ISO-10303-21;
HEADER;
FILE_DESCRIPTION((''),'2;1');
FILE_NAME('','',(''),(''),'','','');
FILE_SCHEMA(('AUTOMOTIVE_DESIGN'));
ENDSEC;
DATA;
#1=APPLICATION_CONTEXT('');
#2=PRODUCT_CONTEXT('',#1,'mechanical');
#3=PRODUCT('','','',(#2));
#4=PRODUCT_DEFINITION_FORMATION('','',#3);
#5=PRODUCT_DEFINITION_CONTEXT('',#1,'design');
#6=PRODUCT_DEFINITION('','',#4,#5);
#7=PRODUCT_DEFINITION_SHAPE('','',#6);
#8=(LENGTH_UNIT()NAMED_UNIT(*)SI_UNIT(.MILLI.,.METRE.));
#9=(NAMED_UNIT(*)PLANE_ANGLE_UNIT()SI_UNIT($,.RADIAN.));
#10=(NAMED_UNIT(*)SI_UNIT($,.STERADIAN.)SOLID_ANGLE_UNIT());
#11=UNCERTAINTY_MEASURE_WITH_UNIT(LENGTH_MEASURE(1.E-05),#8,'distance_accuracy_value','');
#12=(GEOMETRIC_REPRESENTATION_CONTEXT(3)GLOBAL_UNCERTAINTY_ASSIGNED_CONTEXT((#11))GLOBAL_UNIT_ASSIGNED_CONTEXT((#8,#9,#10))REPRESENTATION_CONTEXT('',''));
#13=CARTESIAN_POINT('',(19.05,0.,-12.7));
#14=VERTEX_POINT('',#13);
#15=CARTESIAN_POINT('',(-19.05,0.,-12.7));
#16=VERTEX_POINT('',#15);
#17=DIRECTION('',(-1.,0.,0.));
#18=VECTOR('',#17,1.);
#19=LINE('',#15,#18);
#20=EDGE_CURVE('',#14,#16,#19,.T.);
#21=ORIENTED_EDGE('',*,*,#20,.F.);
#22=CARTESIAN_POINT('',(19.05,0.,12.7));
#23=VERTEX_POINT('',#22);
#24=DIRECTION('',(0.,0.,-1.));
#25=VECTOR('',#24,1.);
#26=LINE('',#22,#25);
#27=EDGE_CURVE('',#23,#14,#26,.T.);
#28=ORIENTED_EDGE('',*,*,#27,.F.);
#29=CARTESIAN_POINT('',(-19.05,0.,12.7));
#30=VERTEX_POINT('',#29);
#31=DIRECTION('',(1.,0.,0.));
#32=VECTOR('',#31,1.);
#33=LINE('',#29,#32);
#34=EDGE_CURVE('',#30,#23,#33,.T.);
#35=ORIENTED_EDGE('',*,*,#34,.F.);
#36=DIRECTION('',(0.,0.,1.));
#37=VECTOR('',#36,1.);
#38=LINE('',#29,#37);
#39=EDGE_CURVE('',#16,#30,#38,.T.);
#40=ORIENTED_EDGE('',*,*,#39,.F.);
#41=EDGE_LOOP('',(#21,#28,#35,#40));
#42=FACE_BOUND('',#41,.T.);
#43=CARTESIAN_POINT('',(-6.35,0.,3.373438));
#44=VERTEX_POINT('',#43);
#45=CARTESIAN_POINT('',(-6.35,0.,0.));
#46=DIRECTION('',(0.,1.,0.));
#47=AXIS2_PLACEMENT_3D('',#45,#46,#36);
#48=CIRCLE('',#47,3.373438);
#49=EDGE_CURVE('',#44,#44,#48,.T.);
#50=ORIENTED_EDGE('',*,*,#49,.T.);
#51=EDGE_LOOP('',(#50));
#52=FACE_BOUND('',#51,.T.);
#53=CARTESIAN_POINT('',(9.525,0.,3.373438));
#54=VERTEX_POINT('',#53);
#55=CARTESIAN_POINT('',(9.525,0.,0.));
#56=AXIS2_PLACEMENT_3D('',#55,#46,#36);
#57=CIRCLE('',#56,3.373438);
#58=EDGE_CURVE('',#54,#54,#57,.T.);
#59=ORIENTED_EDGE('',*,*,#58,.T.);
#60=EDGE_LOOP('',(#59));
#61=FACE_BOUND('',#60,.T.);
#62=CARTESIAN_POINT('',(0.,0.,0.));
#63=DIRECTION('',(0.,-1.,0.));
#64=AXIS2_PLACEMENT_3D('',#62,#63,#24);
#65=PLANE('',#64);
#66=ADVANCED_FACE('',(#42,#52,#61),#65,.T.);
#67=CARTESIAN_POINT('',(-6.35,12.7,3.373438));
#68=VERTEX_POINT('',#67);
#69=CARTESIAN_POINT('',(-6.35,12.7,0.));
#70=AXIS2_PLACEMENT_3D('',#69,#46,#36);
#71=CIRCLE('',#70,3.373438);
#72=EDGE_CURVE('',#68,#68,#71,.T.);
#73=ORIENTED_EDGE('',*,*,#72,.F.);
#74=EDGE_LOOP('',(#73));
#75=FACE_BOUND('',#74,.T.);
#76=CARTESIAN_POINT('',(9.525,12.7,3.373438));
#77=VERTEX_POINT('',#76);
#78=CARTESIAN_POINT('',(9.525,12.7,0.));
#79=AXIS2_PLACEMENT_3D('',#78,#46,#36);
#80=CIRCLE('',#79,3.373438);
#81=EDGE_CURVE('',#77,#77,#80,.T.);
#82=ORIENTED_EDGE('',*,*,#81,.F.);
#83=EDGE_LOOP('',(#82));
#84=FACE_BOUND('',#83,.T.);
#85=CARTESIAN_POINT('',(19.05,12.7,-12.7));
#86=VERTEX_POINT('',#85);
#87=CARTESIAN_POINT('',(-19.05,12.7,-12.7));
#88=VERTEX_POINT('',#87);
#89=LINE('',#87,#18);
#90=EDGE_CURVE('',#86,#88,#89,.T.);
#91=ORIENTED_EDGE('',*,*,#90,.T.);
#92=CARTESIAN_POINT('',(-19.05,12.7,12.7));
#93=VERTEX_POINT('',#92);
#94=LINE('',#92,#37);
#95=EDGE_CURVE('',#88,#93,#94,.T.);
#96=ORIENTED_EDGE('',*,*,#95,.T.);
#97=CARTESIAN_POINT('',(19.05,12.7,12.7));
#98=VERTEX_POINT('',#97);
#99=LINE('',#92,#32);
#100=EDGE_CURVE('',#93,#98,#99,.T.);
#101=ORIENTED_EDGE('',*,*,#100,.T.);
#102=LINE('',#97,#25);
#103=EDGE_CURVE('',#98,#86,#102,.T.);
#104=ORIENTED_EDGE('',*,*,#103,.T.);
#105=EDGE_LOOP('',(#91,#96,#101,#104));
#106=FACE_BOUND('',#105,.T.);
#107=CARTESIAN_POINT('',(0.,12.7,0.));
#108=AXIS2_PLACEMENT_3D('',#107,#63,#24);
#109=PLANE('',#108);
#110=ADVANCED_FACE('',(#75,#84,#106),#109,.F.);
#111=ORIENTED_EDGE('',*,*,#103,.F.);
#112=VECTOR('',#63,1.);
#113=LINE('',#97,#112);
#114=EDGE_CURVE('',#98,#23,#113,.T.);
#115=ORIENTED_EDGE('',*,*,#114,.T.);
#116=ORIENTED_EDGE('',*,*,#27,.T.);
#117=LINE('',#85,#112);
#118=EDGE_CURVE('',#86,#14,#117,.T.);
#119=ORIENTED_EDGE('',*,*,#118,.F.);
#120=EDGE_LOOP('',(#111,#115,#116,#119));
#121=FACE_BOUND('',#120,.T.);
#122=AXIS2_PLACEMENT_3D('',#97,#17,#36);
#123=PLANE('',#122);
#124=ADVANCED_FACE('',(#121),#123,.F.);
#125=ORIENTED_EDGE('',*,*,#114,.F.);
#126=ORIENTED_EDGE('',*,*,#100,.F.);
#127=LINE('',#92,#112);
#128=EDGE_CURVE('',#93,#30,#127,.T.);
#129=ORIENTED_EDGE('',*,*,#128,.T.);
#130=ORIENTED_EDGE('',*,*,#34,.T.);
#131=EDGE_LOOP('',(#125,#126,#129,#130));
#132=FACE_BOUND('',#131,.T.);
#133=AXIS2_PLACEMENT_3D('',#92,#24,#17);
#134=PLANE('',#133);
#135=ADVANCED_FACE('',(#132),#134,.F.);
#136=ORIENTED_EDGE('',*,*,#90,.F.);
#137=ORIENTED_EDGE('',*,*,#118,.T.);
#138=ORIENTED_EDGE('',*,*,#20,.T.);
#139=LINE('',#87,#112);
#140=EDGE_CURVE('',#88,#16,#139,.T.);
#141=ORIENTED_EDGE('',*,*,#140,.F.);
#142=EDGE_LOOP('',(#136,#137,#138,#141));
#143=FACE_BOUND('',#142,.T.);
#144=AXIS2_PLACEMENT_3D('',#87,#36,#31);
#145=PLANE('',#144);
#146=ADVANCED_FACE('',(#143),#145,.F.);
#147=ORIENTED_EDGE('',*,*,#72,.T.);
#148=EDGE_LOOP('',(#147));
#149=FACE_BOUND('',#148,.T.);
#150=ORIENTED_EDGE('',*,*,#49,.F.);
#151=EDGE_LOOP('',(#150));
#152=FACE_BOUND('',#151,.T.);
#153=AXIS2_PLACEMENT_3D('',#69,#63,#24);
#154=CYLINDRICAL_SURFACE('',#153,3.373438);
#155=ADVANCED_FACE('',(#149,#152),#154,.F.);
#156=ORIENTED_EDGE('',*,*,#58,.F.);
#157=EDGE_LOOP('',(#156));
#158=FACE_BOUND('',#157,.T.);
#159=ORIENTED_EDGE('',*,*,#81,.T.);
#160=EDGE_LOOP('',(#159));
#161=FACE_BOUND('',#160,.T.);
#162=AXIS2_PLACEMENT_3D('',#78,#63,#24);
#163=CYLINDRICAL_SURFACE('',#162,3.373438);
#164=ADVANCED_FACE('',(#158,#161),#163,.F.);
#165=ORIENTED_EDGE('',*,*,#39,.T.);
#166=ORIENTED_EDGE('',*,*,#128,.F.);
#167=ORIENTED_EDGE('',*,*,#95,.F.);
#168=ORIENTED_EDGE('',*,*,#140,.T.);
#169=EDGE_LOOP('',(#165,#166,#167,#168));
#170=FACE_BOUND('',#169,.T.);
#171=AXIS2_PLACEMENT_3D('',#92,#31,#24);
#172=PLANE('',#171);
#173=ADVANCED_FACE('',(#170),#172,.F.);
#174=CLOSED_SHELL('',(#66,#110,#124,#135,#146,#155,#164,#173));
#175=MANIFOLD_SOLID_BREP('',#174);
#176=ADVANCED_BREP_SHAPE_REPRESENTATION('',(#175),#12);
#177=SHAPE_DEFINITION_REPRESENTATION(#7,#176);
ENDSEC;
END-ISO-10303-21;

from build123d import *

# Parameters (mm, degrees)
SKETCH1_W           = 38.1
SKETCH1_H           = 25.4
SKETCH1_R           = 3.3734375
BOSS_EXTRUDE1_DEPTH = 12.7


with BuildPart() as part:
    # Sketch1 → Boss-Extrude1 (new body)
    with BuildSketch(Plane(origin=(0, 0, 0), x_dir=(1, 0, 0), z_dir=(0, 1, 0))):
        Rectangle(SKETCH1_W, SKETCH1_H)
        with Locations(Location((-6.35, 0, 0), (0, 0, 270))):
            Circle(SKETCH1_R, mode=Mode.SUBTRACT)
        with Locations(Location((9.525, 0, 0), (0, 0, 270))):
            Circle(SKETCH1_R, mode=Mode.SUBTRACT)
    extrude(amount=BOSS_EXTRUDE1_DEPTH)


solid = part.part
